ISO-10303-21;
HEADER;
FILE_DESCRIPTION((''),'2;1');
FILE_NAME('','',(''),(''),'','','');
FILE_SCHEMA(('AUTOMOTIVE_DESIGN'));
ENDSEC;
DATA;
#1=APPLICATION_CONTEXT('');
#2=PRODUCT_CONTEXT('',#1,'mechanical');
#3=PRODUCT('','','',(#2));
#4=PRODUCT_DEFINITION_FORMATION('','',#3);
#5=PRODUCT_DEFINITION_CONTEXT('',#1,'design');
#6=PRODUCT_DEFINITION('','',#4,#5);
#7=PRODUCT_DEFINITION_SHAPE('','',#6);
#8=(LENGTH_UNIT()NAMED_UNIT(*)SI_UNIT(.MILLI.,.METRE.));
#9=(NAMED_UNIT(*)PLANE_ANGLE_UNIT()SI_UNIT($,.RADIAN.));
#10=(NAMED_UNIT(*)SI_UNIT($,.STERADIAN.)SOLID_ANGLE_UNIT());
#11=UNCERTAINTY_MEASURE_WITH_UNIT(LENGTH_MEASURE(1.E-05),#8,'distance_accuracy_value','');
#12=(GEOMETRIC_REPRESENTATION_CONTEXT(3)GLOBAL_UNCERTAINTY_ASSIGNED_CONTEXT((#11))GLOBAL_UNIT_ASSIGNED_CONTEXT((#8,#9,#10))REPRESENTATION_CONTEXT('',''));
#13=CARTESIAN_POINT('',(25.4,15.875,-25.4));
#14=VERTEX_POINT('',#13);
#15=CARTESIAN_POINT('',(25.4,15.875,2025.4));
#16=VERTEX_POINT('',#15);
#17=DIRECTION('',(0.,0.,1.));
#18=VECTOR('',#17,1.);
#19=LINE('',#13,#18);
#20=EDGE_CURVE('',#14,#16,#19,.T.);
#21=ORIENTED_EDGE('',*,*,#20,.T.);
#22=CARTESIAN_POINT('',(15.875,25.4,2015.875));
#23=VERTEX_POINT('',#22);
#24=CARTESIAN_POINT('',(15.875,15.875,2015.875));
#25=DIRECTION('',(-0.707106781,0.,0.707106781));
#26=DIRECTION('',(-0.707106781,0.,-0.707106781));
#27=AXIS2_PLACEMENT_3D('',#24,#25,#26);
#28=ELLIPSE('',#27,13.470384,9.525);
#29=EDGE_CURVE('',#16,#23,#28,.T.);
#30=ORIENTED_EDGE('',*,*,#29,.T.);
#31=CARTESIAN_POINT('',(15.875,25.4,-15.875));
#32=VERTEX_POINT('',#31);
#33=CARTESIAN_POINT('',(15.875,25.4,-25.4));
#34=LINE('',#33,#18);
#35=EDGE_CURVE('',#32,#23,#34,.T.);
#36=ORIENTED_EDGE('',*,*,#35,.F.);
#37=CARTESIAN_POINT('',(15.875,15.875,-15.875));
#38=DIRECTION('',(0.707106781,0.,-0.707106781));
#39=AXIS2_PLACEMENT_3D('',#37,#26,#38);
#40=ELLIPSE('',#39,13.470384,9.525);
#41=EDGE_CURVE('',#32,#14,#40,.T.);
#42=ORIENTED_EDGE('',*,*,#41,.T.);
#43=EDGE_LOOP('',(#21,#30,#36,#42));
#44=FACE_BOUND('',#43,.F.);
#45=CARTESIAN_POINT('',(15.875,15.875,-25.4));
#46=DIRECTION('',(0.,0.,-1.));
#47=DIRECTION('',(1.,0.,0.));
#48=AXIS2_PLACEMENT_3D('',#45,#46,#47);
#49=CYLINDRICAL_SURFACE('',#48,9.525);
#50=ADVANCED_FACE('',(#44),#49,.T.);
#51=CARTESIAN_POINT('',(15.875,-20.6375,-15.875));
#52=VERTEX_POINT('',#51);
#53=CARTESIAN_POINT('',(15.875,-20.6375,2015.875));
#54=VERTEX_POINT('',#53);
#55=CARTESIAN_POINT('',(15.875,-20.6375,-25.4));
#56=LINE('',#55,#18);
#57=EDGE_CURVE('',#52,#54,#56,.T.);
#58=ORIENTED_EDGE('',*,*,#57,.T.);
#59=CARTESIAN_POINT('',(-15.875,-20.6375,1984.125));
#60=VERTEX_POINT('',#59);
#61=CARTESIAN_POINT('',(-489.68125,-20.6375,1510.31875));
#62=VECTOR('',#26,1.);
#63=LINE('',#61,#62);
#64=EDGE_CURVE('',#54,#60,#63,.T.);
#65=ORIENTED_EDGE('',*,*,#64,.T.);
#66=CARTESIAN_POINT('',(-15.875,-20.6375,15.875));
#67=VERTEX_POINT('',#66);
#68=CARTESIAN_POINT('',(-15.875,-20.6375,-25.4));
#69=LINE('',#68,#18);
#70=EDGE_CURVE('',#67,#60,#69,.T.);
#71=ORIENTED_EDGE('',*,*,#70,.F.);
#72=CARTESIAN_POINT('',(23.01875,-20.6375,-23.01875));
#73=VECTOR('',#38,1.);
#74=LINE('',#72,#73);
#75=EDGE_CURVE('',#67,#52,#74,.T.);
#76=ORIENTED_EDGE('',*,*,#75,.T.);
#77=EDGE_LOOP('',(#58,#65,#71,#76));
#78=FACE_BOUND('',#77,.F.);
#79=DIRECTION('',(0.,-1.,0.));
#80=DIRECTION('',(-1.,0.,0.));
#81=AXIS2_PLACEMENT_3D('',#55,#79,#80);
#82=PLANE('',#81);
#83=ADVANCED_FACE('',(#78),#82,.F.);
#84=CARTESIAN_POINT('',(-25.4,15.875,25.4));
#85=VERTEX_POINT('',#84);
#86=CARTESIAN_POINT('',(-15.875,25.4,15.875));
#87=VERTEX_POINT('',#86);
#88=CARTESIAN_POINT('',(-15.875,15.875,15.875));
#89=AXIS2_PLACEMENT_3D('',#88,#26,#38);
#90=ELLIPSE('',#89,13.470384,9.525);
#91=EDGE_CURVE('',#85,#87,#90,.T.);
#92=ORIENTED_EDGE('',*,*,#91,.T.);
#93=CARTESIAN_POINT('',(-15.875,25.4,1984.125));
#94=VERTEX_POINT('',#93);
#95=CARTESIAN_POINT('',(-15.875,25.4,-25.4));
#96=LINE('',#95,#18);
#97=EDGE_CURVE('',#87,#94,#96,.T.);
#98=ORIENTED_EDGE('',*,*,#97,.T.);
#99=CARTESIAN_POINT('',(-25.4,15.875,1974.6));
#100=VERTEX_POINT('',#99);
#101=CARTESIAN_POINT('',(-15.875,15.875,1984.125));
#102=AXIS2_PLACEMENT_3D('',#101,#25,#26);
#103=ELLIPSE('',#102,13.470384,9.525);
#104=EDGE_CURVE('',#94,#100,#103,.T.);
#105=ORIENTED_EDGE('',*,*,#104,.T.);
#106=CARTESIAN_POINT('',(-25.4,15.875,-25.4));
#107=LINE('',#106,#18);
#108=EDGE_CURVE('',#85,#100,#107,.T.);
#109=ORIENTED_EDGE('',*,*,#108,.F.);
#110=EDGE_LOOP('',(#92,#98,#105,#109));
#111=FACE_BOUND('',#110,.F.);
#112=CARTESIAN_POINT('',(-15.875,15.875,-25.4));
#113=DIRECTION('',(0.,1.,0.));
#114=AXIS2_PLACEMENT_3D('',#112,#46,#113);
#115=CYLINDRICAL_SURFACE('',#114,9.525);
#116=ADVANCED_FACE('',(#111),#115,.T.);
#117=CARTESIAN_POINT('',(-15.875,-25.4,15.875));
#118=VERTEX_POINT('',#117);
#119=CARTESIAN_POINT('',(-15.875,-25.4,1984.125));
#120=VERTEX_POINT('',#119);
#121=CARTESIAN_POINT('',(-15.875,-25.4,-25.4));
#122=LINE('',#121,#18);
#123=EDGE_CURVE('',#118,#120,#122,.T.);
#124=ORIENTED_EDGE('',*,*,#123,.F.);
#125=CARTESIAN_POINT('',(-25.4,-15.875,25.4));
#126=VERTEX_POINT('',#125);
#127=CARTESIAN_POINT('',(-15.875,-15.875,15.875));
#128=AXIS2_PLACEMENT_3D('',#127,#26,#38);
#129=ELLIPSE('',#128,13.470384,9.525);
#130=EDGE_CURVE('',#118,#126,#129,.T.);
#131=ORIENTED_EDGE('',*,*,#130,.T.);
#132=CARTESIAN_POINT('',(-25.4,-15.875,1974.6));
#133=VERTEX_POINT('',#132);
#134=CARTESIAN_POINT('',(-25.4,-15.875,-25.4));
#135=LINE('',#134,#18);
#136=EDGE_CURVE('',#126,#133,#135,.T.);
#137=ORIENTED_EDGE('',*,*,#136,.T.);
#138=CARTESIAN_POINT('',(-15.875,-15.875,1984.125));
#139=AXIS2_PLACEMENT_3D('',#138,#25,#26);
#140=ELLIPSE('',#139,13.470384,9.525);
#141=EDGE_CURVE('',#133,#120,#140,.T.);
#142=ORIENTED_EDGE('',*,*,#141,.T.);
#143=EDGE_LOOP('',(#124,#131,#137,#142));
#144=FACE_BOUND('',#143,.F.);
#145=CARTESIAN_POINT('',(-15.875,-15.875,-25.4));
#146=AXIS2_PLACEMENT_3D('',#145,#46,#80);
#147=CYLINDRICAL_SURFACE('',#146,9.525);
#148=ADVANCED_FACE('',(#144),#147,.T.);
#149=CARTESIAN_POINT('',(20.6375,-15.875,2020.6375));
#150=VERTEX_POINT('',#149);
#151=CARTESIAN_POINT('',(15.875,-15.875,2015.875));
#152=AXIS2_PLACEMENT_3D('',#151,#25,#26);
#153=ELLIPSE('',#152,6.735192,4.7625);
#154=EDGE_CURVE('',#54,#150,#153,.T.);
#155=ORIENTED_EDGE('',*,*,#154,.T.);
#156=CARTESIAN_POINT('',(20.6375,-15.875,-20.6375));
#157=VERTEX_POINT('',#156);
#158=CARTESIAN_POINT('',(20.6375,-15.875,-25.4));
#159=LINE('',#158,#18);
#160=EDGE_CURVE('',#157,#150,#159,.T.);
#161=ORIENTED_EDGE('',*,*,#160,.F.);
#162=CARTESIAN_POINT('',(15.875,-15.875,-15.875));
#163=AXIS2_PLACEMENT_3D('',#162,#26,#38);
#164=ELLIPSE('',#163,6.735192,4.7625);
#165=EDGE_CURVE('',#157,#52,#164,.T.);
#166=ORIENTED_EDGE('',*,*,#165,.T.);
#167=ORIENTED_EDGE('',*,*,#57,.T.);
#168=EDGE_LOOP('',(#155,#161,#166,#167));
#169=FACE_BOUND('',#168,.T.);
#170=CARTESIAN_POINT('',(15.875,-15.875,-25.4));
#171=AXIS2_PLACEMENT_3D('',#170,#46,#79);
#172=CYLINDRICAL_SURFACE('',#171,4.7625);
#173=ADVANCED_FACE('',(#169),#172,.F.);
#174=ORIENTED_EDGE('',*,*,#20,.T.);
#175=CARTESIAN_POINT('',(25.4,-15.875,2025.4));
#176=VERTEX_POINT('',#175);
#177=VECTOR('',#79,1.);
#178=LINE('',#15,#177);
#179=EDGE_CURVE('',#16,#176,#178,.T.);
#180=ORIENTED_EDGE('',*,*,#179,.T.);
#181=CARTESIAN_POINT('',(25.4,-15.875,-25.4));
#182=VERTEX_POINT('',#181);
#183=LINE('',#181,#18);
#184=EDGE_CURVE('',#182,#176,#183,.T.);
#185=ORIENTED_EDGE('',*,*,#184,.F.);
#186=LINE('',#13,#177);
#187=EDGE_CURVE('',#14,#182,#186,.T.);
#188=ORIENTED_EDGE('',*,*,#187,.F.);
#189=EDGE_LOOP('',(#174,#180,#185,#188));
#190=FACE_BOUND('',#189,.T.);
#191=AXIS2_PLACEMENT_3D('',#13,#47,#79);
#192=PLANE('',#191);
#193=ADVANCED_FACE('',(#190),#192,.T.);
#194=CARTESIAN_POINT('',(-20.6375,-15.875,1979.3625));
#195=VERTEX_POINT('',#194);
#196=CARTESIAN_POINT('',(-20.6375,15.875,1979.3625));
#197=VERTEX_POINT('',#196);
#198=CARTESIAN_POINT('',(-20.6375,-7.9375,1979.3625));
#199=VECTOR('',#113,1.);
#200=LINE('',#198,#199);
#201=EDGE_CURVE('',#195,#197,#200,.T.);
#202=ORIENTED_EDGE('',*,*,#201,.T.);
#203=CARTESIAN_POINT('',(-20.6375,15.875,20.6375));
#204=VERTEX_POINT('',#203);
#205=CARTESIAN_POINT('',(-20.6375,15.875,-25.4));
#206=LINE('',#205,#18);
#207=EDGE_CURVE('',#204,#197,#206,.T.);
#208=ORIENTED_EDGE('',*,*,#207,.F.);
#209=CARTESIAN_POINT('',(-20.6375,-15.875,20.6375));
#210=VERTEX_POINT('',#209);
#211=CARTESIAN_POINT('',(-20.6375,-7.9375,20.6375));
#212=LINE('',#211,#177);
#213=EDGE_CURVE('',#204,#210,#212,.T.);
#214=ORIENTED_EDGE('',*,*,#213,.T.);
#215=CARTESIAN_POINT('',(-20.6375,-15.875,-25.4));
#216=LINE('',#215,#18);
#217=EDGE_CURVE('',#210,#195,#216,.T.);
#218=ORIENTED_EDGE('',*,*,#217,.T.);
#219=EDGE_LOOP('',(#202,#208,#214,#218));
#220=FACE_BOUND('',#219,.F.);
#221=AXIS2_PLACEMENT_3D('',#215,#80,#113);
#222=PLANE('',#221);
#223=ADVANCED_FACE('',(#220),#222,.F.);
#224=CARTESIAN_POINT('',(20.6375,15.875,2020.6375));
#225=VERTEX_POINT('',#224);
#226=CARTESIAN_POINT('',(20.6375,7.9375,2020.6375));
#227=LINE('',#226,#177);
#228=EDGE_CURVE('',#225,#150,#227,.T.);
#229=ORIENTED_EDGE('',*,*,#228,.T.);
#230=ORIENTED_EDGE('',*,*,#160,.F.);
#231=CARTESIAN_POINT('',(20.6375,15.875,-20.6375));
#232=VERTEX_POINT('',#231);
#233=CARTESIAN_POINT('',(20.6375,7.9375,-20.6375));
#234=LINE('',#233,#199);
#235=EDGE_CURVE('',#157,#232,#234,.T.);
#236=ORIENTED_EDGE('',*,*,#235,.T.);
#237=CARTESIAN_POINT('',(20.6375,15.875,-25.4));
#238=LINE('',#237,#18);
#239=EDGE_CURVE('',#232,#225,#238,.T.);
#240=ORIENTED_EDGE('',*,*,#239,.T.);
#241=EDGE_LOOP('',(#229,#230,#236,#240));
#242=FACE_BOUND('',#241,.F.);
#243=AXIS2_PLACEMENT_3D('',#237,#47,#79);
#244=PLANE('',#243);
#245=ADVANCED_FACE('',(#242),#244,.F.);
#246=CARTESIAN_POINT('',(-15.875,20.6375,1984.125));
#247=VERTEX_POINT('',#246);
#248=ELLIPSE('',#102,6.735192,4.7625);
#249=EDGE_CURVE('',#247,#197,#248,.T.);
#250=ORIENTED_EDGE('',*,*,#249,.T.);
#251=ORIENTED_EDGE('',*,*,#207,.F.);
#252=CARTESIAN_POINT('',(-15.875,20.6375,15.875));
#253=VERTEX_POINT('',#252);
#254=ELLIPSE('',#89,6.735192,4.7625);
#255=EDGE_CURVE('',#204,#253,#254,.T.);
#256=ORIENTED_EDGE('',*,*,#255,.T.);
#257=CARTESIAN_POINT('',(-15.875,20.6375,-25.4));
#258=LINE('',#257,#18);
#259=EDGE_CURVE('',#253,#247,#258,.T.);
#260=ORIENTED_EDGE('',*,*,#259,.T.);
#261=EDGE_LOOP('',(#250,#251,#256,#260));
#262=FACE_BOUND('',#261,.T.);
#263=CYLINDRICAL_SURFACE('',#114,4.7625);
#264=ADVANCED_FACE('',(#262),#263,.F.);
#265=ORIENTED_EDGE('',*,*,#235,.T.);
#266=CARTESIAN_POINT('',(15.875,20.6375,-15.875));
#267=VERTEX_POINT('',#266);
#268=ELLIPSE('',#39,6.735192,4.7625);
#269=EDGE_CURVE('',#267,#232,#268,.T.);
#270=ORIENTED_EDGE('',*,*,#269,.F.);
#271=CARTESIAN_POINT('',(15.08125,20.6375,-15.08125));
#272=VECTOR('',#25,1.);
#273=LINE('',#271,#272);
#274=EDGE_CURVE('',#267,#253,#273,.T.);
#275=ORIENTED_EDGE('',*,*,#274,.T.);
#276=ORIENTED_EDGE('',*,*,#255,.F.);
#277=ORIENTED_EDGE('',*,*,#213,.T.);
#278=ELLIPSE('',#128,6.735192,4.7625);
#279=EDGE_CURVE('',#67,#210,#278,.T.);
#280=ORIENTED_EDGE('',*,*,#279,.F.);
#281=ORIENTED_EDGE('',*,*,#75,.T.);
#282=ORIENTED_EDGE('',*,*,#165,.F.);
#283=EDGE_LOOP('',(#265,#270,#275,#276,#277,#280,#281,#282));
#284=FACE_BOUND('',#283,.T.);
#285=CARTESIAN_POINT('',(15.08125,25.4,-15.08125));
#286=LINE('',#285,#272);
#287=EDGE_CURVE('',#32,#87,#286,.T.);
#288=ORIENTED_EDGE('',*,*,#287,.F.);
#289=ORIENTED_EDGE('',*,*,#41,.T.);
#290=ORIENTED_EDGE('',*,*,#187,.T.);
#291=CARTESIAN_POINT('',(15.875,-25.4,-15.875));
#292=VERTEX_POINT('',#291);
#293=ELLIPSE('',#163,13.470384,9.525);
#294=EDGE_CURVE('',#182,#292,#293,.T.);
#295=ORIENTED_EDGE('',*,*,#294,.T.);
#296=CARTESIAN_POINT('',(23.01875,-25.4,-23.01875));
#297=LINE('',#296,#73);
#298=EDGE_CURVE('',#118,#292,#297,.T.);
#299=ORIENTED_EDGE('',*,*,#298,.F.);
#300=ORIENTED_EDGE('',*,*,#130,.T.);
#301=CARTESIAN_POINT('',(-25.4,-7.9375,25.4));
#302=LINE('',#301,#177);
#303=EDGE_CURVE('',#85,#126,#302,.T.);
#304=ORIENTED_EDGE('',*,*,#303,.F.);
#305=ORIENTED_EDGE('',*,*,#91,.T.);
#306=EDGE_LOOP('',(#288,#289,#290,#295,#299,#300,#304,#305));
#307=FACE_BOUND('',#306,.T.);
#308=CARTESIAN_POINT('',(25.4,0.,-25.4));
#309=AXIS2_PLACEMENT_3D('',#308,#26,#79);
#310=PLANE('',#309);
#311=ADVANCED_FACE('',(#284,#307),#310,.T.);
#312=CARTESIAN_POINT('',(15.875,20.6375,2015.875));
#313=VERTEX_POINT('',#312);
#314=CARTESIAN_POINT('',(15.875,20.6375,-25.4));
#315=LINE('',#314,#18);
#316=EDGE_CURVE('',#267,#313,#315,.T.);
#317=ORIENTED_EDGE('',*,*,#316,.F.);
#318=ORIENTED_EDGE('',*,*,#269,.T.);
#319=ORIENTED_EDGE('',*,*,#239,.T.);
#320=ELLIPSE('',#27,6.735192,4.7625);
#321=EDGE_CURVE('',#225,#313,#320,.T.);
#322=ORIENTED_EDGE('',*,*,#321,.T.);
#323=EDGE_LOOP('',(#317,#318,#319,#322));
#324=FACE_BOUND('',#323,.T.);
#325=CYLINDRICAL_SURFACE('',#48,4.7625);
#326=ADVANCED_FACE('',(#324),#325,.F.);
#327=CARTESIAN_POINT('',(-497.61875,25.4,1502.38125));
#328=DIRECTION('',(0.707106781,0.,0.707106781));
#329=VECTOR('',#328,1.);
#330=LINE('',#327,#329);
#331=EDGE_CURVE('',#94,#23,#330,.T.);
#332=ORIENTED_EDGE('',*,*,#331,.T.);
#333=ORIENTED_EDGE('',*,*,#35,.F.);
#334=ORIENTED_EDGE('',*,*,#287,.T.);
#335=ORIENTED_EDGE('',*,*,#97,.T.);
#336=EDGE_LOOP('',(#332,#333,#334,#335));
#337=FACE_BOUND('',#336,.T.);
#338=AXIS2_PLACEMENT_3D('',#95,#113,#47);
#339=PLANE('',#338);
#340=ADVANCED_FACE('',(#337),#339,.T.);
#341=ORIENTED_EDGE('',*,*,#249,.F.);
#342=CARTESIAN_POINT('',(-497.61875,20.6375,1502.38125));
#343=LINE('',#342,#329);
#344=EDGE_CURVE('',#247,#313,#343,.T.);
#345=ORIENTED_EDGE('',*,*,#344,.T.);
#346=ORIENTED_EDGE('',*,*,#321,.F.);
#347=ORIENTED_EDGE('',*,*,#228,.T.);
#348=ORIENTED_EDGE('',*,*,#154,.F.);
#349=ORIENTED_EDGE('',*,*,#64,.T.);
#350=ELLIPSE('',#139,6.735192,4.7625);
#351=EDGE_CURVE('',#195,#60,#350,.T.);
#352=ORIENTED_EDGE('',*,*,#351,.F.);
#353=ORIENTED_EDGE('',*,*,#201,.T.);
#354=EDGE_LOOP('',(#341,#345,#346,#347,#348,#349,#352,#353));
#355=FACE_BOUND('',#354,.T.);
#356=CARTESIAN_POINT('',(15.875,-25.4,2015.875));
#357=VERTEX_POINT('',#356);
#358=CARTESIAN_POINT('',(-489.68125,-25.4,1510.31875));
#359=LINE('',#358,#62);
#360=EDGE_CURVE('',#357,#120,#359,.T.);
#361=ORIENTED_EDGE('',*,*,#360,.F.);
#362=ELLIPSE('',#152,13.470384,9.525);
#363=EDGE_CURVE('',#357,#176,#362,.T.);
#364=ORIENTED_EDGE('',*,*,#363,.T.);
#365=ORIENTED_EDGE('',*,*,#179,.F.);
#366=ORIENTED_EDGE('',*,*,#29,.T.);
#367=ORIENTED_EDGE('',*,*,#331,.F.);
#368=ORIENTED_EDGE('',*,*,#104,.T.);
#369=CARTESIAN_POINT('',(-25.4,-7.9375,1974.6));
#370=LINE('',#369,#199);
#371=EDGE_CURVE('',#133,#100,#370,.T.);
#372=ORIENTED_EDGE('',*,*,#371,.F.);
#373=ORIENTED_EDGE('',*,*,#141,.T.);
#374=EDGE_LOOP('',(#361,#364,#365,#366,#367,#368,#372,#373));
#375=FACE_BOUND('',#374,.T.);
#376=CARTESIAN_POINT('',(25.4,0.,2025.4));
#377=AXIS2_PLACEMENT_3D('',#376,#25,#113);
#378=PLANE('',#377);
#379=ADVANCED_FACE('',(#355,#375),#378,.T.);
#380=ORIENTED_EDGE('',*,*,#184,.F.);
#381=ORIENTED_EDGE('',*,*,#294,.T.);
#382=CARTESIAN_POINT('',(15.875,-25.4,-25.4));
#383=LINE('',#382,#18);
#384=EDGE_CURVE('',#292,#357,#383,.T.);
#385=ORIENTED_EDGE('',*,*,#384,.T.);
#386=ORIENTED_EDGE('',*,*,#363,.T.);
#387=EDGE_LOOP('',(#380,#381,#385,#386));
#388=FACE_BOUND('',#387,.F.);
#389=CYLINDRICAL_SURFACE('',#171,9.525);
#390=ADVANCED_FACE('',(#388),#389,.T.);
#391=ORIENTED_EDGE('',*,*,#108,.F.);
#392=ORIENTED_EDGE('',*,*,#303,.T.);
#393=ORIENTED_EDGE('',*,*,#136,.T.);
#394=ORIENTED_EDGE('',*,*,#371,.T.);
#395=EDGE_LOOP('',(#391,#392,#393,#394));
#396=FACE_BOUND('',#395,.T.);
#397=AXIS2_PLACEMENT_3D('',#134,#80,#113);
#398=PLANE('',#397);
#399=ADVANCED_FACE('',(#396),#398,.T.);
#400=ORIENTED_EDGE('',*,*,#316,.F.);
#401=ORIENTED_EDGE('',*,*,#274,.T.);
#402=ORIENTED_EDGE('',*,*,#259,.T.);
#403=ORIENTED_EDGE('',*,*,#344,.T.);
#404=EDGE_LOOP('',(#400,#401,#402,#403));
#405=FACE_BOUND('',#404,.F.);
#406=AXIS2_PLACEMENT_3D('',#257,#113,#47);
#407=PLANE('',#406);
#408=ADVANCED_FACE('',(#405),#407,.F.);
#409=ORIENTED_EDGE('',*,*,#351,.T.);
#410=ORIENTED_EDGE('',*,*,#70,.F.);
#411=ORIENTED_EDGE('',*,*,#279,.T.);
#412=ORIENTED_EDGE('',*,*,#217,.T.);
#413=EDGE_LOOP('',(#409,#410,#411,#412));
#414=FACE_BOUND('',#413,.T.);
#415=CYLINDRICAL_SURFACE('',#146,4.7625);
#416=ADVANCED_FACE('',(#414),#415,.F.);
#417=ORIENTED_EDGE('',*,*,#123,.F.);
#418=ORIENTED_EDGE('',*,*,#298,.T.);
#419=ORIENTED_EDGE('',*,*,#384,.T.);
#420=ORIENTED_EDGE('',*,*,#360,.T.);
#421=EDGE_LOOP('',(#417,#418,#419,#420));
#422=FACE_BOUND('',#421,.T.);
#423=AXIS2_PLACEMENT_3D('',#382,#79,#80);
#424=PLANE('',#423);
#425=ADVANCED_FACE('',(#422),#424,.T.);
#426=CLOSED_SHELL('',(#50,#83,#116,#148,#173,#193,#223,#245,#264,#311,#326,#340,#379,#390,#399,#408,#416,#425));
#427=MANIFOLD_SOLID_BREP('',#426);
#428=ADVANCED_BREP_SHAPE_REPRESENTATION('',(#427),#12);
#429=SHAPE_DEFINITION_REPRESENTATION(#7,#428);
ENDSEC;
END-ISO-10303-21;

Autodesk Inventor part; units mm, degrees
ref_plane "Plano inicial" through (0, 0, -25.4) normal (0, 0, 1) x (1, 0, 0)
ref_plane "Plano final" through (0, 0, 2025.4) normal (0, 0, 1) x (1, 0, 0)
sketch "Esboço" plane through (0, 0, 0) normal (0, 0, 1) x (1, 0, 0)
  line L0 (-25.4, -15.875) -> (-25.4, 15.875)
  line L1 (-15.875, 25.4) -> (15.875, 25.4)
  line L2 (25.4, 15.875) -> (25.4, -15.875)
  line L3 (15.875, -25.4) -> (-15.875, -25.4)
  arc A0 (-25.4, -15.875) -> (-15.875, -25.4) centre (-15.875, -15.875) ccw
  arc A1 (-15.875, 25.4) -> (-25.4, 15.875) centre (-15.875, 15.875) ccw
  arc A2 (25.4, 15.875) -> (15.875, 25.4) centre (15.875, 15.875) ccw
  arc A3 (15.875, -25.4) -> (25.4, -15.875) centre (15.875, -15.875) ccw
  arc A4 (-15.875, 20.6375) -> (-20.6375, 15.875) centre (-15.875, 15.875) ccw
  line L4 (-15.875, 20.6375) -> (15.875, 20.6375)
  arc A5 (20.6375, 15.875) -> (15.875, 20.6375) centre (15.875, 15.875) ccw
  line L5 (20.6375, 15.875) -> (20.6375, -15.875)
  arc A6 (15.875, -20.6375) -> (20.6375, -15.875) centre (15.875, -15.875) ccw
  line L6 (15.875, -20.6375) -> (-15.875, -20.6375)
  arc A7 (-20.6375, -15.875) -> (-15.875, -20.6375) centre (-15.875, -15.875) ccw
  line L7 (-20.6375, -15.875) -> (-20.6375, 15.875)
  line L8 (0, 38.3218) -> (0, -38.3218) construction
  line L9 (-38.3218, 0) -> (38.3218, 0) construction
  dimension "d10" = 50.8
  dimension "d11" = 50.8
  dimension "d12" = 4.7625
  dimension "d15" = 25.4
  dimension "d16" = 25.4
  dimension "d17" = 9.525
extrude "Corpo" add sketch "Esboço" along normal up to surface (2050.8 mm away) from surface at -25.4
sketch "Sketch3" plane through (0, 0, 0) normal (0, 0, 1) x (1, 0, 0)
  line L0 (0, 0) -> (10, 0)
ref_plane "Work Plane3" through (0, 0, 0) normal (0, -1, 0) x (1, 0, 0)
sketch "Sketch4" plane through (0, 0, 0) normal (0, -1, 0) x (1, 0, 0)
  line L0 (-2, -25.4) -> (12, -25.4)
  line L1 (-2, 2025.4) -> (12, 2025.4)
  dimension "d19" = 2050.8
ref_plane "Plano de trabalho4" through (25.4, 0, -25.4) normal (-0.7071, 0, -0.7071) x (-0.7071, 0, 0.7071)
split "Dividir1" plane through (25.4, 0, -25.4) removes the side toward (-0.7071, 0, -0.7071)
ref_plane "Plano de trabalho5" through (25.4, 0, 2025.4) normal (-0.7071, 0, 0.7071) x (0.7071, 0, 0.7071)
split "Dividir2" plane through (25.4, 0, 2025.4) removes the side toward (-0.7071, 0, 0.7071)
equation "\"d10\" = G_H"
equation "\"d11\" = G_W"
equation "\"d12\" = G_T"
equation "\"d15\" = 0.5 * d10"
equation "\"d16\" = 0.5 * d11"
equation "\"d17\" = G_IR"
equation "\"d3\" = G_L"
equation "\"G_W\" = 50.8"
equation "\"G_H\" = 50.8"
equation "\"G_T\" = 4.7625"
equation "\"G_IR\" = 9.525"
equation "\"G_L\" = d19"
equation "\"G_OFFSET_START\" = 25.4"
equation "\"G_OFFSET_END\" = 25.4"
equation "\"d13\" = -G_OFFSET_START"
equation "\"d14\" = G_OFFSET_END + B_L"
equation "\"B_L\" = 2000"
properties part number "AISC - 2 x 2 x 3/16 - 80,74" material "Aço, suave"
